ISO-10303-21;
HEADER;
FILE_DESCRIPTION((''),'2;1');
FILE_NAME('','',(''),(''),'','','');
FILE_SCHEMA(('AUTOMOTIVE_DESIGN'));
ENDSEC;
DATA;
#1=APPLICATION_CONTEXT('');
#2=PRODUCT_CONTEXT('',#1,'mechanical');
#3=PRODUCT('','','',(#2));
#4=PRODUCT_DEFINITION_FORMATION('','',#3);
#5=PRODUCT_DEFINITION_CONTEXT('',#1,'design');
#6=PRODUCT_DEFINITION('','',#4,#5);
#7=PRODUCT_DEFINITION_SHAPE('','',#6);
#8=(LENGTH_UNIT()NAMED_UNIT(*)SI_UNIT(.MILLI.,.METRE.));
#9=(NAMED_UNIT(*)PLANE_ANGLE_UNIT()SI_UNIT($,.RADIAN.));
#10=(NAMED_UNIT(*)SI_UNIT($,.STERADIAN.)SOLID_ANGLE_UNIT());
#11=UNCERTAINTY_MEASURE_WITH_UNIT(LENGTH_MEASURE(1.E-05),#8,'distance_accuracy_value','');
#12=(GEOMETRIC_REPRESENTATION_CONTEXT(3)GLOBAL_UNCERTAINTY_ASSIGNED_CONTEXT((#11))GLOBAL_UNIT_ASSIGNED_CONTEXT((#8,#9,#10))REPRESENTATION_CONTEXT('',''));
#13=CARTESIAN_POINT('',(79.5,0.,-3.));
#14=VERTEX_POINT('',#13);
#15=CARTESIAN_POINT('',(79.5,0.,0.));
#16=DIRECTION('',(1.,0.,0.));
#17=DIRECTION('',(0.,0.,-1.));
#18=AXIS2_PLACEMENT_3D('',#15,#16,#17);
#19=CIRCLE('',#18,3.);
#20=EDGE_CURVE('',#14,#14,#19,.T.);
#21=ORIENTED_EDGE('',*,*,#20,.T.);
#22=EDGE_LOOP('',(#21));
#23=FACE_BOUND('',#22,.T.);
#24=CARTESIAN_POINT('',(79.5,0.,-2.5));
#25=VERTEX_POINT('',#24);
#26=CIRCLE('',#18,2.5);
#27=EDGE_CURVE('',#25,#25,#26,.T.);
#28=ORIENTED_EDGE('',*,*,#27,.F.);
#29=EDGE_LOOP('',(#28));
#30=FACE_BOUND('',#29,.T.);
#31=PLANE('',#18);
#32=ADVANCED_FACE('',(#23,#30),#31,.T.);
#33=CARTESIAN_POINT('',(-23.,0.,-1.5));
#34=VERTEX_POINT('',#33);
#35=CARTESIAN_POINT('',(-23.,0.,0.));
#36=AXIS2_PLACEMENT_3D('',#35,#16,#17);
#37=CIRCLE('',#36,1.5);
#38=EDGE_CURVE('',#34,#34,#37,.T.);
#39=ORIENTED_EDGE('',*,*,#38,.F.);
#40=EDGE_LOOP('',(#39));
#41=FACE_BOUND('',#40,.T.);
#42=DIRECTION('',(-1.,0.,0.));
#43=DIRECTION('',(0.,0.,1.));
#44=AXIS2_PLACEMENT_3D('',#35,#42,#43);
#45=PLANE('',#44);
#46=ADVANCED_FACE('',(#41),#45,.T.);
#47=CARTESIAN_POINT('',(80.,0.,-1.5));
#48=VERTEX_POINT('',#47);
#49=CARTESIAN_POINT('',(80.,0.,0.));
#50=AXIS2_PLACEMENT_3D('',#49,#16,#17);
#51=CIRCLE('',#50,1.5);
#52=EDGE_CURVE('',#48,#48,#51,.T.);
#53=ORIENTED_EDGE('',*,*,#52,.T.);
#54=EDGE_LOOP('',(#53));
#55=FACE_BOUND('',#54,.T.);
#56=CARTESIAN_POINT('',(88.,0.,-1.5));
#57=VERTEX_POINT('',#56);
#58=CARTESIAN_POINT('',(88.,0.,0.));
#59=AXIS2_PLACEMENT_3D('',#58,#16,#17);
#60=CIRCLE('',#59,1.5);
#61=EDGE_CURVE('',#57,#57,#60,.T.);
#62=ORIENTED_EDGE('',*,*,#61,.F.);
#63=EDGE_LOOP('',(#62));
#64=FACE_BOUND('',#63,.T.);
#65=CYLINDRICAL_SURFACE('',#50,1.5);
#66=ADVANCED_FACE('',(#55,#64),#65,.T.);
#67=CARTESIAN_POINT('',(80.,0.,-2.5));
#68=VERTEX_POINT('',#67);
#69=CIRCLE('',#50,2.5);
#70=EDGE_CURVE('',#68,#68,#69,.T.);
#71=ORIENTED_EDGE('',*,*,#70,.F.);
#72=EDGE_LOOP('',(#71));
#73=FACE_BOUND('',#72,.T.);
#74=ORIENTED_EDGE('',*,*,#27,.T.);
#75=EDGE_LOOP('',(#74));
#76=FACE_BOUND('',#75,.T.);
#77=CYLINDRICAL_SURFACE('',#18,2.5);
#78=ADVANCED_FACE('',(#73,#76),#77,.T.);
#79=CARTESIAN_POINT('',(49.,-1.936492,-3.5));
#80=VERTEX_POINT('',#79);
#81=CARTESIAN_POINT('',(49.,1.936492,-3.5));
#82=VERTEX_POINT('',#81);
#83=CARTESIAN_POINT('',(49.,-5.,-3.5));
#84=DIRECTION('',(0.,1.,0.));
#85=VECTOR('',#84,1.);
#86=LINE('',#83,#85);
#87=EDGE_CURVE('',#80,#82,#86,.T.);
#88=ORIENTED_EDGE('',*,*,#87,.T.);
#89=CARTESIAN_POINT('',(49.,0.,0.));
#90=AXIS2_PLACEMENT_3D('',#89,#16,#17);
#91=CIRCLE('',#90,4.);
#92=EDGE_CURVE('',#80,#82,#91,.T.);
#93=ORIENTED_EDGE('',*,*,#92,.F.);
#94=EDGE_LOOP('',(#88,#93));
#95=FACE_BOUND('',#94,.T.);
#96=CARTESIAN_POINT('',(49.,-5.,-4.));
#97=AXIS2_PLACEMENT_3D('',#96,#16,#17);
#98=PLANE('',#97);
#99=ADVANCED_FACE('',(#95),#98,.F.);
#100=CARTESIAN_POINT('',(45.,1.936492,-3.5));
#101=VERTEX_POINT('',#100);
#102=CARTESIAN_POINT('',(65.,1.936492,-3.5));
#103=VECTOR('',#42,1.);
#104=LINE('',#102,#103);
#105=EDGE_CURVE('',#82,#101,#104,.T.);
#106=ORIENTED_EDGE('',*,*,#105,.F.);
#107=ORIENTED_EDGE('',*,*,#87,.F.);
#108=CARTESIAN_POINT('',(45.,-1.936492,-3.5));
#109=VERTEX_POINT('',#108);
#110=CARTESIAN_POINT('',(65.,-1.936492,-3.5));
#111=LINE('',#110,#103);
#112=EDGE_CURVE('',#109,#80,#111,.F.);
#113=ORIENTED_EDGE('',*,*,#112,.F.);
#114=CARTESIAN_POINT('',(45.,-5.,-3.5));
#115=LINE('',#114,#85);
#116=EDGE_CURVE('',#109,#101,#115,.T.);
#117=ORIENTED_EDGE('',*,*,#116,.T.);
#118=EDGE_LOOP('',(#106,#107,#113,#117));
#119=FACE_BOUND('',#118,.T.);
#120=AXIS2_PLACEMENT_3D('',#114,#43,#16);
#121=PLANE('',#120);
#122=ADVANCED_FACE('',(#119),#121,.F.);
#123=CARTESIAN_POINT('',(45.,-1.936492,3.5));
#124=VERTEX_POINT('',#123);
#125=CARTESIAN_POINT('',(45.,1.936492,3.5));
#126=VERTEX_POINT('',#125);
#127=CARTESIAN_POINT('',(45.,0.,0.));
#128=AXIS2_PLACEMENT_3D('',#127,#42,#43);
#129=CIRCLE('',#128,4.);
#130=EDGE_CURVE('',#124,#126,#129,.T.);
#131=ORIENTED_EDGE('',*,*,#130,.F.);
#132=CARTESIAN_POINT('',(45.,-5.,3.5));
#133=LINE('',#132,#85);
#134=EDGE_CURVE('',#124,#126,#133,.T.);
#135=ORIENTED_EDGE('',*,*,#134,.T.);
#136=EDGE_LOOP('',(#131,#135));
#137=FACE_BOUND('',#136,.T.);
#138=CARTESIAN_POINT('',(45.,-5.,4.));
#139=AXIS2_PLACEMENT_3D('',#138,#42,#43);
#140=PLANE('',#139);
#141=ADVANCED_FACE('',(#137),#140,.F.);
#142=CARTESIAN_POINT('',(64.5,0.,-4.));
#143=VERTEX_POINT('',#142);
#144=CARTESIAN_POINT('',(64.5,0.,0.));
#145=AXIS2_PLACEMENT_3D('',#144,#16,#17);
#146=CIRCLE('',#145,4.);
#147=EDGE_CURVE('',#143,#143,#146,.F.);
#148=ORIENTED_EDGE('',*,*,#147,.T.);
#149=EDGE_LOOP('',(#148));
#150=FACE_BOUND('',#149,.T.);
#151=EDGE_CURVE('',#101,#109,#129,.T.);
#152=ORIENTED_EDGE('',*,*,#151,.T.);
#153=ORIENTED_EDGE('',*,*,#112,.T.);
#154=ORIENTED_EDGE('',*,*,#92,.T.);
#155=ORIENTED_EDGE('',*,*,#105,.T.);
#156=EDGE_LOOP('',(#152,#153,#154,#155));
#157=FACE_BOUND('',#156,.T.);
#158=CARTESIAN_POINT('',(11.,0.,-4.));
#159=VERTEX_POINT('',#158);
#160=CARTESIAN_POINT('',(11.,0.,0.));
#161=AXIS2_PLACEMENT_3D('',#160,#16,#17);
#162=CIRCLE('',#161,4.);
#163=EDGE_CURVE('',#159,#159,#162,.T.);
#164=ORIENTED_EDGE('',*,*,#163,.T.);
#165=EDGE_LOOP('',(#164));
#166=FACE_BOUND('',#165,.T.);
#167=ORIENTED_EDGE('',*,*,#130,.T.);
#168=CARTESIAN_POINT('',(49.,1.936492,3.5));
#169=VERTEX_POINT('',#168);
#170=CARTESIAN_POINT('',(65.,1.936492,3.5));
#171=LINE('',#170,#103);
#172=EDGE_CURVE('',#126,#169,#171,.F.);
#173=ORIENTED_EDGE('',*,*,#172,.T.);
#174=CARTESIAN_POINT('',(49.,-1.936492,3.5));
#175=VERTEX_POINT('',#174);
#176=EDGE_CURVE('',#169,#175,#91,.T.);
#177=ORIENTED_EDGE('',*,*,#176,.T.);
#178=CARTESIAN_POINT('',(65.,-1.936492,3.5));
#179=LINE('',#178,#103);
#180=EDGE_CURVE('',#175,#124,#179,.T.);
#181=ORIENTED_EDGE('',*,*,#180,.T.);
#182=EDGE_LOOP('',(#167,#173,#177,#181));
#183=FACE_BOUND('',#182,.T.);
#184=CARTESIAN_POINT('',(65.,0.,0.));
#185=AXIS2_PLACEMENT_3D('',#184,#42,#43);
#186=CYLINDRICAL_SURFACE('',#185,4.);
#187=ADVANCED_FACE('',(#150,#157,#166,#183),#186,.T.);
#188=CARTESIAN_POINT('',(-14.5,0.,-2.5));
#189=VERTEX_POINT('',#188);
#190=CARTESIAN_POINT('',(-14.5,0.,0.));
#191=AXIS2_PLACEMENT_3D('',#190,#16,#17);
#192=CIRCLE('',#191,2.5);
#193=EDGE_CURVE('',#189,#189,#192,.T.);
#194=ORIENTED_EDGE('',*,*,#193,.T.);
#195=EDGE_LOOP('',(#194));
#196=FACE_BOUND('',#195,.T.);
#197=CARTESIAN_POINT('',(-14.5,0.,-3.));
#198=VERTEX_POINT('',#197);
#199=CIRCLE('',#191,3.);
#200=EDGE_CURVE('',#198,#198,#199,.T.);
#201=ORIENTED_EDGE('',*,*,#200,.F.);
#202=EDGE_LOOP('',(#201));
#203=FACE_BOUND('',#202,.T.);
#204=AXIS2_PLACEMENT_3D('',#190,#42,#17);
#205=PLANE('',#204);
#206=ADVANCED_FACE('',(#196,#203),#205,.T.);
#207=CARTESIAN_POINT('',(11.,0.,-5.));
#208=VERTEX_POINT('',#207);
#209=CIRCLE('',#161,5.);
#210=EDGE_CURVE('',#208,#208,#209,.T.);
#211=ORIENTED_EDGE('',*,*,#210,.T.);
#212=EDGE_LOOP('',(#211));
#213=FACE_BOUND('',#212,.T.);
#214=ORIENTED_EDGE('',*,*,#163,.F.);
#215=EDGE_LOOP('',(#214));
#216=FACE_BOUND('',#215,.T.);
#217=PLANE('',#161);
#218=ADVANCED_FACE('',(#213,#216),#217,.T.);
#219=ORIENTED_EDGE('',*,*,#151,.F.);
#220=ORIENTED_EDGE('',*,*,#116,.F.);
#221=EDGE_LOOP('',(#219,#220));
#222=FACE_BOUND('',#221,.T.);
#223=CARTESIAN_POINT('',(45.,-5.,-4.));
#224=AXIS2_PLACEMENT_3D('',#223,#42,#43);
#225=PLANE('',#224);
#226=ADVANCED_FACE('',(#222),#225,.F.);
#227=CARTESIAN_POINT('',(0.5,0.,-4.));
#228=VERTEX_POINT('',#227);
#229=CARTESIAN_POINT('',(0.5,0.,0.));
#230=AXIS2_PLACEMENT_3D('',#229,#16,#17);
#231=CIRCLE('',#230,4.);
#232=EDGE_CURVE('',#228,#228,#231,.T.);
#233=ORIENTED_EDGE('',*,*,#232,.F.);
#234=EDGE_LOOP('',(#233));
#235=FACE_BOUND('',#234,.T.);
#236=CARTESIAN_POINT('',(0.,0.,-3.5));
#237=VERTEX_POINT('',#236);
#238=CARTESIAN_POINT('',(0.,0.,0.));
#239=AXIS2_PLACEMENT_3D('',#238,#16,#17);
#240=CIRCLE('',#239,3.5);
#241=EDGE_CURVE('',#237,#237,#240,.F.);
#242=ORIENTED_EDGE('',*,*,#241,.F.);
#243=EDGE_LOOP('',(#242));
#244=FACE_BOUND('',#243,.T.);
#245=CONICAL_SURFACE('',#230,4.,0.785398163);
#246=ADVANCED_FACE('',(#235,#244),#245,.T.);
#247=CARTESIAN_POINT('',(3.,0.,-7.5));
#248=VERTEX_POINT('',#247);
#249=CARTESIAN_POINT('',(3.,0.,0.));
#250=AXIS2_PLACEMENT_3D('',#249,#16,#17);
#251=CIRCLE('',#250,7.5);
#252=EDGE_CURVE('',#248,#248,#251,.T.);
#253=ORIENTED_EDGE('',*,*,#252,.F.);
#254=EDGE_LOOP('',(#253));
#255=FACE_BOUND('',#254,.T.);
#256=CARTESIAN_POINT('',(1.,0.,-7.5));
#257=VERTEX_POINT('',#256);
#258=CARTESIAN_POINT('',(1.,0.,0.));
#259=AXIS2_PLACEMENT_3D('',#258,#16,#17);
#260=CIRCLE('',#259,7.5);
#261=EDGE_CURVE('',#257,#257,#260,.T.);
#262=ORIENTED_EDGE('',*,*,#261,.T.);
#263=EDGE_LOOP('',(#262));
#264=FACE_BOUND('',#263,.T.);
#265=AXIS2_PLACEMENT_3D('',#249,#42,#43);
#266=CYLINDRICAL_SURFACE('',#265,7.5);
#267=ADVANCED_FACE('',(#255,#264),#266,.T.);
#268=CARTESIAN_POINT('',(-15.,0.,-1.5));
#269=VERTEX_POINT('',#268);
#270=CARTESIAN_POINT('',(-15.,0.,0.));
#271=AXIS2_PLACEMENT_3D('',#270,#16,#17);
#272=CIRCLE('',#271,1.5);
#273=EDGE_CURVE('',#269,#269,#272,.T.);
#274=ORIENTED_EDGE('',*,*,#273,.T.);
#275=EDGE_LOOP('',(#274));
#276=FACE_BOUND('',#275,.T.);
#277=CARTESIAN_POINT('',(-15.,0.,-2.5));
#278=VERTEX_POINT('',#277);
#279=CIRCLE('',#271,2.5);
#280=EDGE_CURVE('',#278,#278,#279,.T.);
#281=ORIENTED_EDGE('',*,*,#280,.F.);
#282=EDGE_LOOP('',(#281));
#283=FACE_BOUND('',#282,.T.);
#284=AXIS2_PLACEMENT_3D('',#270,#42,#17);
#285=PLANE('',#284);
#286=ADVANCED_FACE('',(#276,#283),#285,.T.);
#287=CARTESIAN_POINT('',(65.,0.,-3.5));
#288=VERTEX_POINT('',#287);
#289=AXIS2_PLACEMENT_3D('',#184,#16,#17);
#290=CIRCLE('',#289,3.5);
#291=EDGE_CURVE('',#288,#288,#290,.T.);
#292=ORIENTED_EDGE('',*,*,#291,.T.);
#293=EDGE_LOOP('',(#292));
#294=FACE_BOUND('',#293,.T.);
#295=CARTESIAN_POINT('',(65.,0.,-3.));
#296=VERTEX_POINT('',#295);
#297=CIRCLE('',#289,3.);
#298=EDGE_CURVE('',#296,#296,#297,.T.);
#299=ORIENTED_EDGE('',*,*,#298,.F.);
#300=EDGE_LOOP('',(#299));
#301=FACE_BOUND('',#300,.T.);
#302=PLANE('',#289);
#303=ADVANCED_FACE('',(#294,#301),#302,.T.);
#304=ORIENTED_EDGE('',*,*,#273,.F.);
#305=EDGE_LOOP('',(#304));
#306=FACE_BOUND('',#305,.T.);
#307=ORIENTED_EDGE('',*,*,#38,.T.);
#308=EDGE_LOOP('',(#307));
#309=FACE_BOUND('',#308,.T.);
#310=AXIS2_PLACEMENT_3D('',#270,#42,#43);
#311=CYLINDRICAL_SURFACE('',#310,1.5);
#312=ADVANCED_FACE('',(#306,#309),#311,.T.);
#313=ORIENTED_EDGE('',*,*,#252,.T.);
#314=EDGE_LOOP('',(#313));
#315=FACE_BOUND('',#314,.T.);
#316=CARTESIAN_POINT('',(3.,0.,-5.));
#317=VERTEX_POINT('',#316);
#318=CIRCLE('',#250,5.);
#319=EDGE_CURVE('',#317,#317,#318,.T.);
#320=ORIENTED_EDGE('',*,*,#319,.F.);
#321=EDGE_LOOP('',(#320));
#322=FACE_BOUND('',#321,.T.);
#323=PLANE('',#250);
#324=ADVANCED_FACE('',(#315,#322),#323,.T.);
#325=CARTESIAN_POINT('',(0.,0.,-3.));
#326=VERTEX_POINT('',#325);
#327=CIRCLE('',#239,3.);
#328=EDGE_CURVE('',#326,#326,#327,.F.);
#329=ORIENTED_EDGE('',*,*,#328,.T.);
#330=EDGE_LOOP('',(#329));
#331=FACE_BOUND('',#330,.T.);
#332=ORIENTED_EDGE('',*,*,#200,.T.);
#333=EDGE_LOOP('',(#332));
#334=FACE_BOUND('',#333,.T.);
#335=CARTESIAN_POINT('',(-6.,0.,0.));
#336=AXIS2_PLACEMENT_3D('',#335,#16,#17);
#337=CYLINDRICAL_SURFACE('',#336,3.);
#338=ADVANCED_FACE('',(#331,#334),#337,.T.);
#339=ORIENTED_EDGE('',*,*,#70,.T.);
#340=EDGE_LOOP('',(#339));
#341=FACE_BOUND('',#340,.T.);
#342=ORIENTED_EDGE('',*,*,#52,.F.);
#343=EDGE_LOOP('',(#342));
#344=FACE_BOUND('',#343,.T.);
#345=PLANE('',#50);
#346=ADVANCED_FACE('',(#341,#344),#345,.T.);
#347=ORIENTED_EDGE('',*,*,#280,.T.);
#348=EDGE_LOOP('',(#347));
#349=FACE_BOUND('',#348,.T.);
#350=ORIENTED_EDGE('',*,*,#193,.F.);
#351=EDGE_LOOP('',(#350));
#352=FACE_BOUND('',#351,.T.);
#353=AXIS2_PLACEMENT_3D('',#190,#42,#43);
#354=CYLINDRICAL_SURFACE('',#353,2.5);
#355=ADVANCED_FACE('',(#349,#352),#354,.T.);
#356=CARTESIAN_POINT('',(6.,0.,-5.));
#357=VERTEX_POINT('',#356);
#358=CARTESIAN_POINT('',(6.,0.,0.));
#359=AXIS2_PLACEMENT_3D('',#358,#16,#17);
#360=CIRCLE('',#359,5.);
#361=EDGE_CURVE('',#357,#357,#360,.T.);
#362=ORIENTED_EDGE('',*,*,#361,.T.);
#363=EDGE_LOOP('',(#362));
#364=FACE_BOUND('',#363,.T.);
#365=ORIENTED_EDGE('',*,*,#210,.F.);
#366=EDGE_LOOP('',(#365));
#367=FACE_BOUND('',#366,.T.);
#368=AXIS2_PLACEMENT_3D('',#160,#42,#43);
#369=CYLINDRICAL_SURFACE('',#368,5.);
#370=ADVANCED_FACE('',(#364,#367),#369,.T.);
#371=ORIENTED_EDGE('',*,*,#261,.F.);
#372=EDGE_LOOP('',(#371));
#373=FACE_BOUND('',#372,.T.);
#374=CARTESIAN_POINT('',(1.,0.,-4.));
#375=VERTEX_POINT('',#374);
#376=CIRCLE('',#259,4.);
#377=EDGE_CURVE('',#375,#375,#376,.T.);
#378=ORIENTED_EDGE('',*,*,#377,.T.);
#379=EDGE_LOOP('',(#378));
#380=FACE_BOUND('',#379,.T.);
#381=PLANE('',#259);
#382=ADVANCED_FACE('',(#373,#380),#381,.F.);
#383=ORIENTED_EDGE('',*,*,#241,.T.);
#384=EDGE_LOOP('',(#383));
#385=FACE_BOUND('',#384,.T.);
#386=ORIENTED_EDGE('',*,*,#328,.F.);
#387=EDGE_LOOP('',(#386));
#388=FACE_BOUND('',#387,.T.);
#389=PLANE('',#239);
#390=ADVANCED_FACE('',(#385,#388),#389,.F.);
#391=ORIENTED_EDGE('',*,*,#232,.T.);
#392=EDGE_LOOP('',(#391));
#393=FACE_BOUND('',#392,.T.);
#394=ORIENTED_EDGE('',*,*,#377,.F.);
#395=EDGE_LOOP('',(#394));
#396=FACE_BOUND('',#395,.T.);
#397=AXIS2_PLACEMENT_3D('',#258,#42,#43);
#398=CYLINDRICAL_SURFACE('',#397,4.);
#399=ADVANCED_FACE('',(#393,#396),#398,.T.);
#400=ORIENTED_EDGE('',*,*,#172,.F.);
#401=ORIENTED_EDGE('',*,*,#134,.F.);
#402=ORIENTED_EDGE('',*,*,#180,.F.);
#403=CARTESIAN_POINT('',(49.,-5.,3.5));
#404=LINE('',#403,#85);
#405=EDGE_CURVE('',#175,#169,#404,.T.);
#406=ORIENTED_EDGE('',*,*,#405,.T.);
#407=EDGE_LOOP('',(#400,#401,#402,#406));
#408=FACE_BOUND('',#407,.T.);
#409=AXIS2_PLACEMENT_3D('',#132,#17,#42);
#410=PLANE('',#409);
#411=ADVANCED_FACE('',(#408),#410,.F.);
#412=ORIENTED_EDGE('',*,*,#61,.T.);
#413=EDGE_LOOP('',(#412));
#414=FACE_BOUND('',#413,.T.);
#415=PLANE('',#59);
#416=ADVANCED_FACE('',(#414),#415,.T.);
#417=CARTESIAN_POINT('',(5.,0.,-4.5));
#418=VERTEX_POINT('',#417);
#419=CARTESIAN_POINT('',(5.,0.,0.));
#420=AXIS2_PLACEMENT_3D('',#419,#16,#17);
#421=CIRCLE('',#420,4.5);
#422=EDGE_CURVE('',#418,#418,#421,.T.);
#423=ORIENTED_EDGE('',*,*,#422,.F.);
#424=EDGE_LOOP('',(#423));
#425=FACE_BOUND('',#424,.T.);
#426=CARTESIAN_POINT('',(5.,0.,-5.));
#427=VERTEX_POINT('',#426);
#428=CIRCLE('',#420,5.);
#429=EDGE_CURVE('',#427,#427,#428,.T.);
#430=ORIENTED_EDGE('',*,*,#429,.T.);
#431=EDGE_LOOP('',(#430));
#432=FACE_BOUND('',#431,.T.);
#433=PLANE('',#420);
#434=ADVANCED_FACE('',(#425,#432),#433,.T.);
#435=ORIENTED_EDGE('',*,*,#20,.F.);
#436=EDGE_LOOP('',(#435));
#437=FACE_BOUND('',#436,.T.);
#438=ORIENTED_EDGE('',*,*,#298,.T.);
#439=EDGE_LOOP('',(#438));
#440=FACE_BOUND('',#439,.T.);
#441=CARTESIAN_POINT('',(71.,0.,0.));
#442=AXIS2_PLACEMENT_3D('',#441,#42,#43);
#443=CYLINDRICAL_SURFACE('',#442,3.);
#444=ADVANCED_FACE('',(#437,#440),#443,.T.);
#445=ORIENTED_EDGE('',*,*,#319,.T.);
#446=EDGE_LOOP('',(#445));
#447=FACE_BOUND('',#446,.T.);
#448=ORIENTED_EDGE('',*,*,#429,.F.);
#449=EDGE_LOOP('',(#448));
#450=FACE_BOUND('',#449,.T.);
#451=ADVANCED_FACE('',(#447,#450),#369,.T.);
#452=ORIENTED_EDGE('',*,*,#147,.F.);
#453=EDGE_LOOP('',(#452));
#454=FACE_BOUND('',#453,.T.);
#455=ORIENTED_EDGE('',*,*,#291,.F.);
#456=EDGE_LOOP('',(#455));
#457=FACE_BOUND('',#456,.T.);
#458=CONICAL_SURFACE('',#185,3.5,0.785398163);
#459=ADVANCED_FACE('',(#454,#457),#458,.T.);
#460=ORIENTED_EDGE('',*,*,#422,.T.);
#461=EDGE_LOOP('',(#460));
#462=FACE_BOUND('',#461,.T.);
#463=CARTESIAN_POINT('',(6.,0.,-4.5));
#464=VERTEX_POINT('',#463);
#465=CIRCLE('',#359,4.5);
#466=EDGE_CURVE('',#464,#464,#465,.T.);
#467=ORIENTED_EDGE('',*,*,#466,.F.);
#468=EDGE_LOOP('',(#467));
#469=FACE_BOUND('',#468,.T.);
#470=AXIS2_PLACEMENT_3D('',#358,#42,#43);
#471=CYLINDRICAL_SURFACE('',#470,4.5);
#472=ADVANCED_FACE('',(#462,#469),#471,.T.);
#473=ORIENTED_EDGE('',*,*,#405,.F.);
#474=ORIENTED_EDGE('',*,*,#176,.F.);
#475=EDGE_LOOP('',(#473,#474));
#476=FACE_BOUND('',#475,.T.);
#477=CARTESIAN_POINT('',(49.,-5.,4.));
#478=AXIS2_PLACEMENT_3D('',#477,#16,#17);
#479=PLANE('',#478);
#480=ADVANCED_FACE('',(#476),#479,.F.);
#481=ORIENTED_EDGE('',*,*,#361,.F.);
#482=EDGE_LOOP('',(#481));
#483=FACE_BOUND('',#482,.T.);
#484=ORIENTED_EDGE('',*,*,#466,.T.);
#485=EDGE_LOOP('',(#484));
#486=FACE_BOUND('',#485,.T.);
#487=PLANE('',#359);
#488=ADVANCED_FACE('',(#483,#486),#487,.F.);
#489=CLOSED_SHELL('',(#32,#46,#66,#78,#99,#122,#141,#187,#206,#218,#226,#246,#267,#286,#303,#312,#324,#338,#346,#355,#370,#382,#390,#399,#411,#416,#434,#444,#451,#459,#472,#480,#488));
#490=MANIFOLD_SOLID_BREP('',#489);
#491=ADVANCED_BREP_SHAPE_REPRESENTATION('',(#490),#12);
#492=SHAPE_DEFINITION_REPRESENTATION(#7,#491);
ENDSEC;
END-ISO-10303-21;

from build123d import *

# Parameters (mm, degrees)
SKETCH_1_R          = 4
EXTRUDE_1_DEPTH     = 1
SKETCH_2_R          = 3
EXTRUDE_2_DEPTH     = 6
SKETCH_3_R          = 3
EXTRUDE_3_DEPTH     = 17
SKETCH_4_R          = 7.5
EXTRUDE_4_DEPTH     = 2
SKETCH_5_R          = 5
EXTRUDE_5_DEPTH     = 8
SKETCH_6_R          = 4
EXTRUDE_6_DEPTH     = 54
EXTRUDE_START       = 6
SKETCH_7_R          = 3
EXTRUDE_7_DEPTH     = 6
EXTRUDE_START_2     = 17
SKETCH_8_R          = 3
EXTRUDE_8_DEPTH     = 17
CHAMFER_1_SIZE      = 0.5
CHAMFER_2_SIZE      = 0.5
CUT_EXTRUDE_START   = 2
SKETCH_11_R         = 5
SKETCH_11_R_2       = 4.5
CUT_EXTRUDE_2_DEPTH = 1
SKETCH_12_W         = 4
SKETCH_12_H         = 0.5
CUT_EXTRUDE_3_DEPTH = 5
SKETCH_14_R         = 3
SKETCH_14_R_2       = 1.5
CUT_EXTRUDE_5_DEPTH = 8
SKETCH_15_R         = 3
SKETCH_15_R_2       = 2.5
CUT_EXTRUDE_6_DEPTH = 0.5


with BuildPart() as part:
    # 草图1 → 凸台-拉伸1 (new body)
    with BuildSketch(Plane(origin=(0, 0, 0), x_dir=(0, 0, -1), z_dir=(1, 0, 0))):
        Circle(SKETCH_1_R)
    extrude(amount=EXTRUDE_1_DEPTH)

    # 草图2 → 凸台-拉伸2 (add)
    with BuildSketch(Plane.ZY):
        with Locations(Location((0, 0, 0), (0, 0, 180))):
            Circle(SKETCH_2_R)
    extrude(amount=EXTRUDE_2_DEPTH)

    # 草图3 → 凸台-拉伸3 (add)
    with BuildSketch(Plane.ZY.offset(6)):
        with Locations(Location((0, 0, 0), (0, 0, 180))):
            Circle(SKETCH_3_R)
    extrude(amount=EXTRUDE_3_DEPTH)

    # 草图4 → 凸台-拉伸4 (add)
    with BuildSketch(Plane(origin=(1, 0, 0), x_dir=(0, 0, -1), z_dir=(1, 0, 0))):
        Circle(SKETCH_4_R)
    extrude(amount=EXTRUDE_4_DEPTH)

    # 草图5 → 凸台-拉伸5 (add)
    with BuildSketch(Plane(origin=(3, 0, 0), x_dir=(0, 0, -1), z_dir=(1, 0, 0))):
        Circle(SKETCH_5_R)
    extrude(amount=EXTRUDE_5_DEPTH)

    # 草图6 → 凸台-拉伸6 (add)
    with BuildSketch(Plane(origin=(11, 0, 0), x_dir=(0, 0, -1), z_dir=(1, 0, 0))):
        Circle(SKETCH_6_R)
    extrude(amount=EXTRUDE_6_DEPTH)

    # 草图7 → 凸台-拉伸7 (add)
    with BuildSketch(Plane(origin=(65, 0, 0), x_dir=(0, 0, -1), z_dir=(1, 0, 0)).offset(EXTRUDE_START)):
        Circle(SKETCH_7_R)
    extrude(amount=-EXTRUDE_7_DEPTH)

    # 草图8 → 凸台-拉伸8 (add)
    with BuildSketch(Plane(origin=(71, 0, 0), x_dir=(0, 0, -1), z_dir=(1, 0, 0)).offset(EXTRUDE_START_2)):
        Circle(SKETCH_8_R)
    extrude(amount=-EXTRUDE_8_DEPTH)

    # 倒角1
    chamfer_1_edges = [part.edges().sort_by_distance(p)[0] for p in [
        (65, 0, 4),
    ]]
    chamfer(chamfer_1_edges, length=CHAMFER_1_SIZE)

    # 倒角2
    chamfer_2_edges = [part.edges().sort_by_distance(p)[0] for p in [
        (0, 0, 4),
    ]]
    chamfer(chamfer_2_edges, length=CHAMFER_2_SIZE)

    # 草图11 → 切除-拉伸2 (cut)
    with BuildSketch(Plane(origin=(3, 0, 0), x_dir=(0, 0, -1), z_dir=(1, 0, 0)).offset(CUT_EXTRUDE_START)):
        Circle(SKETCH_11_R)
        Circle(SKETCH_11_R_2, mode=Mode.SUBTRACT)
    extrude(amount=CUT_EXTRUDE_2_DEPTH, mode=Mode.SUBTRACT)

    # 草图12 → 切除-拉伸3 (cut, symmetric)
    with BuildSketch(Plane(origin=(0, 0, 0), x_dir=(1, 0, 0), z_dir=(0, 1, 0))):
        with Locations((47, 3.75)):
            Rectangle(SKETCH_12_W, SKETCH_12_H)
        with Locations((47, -3.75)):
            Rectangle(SKETCH_12_W, SKETCH_12_H)
    extrude(amount=CUT_EXTRUDE_3_DEPTH, both=True, mode=Mode.SUBTRACT)

    # 草图14 → 切除-拉伸5 (cut)
    with BuildSketch(Plane(origin=(88, 0, 0), x_dir=(0, 0, -1), z_dir=(1, 0, 0))):
        Circle(SKETCH_14_R)
        Circle(SKETCH_14_R_2, mode=Mode.SUBTRACT)
    cut_extrude_5 = extrude(amount=-CUT_EXTRUDE_5_DEPTH, mode=Mode.SUBTRACT)

    # 草图15 → 切除-拉伸6 (cut)
    with BuildSketch(Plane(origin=(80, 0, 0), x_dir=(0, 0, -1), z_dir=(1, 0, 0))):
        Circle(SKETCH_15_R)
        Circle(SKETCH_15_R_2, mode=Mode.SUBTRACT)
    cut_extrude_6 = extrude(amount=-CUT_EXTRUDE_6_DEPTH, mode=Mode.SUBTRACT)

    # 镜向2: 切除-拉伸5, 切除-拉伸6 across plane
    add(cut_extrude_5.mirror(Plane(origin=(32.5, 0, 0), x_dir=(0, 0, 1), z_dir=(1, 0, 0))), mode=Mode.SUBTRACT)
    add(cut_extrude_6.mirror(Plane(origin=(32.5, 0, 0), x_dir=(0, 0, 1), z_dir=(1, 0, 0))), mode=Mode.SUBTRACT)


solid = part.part
